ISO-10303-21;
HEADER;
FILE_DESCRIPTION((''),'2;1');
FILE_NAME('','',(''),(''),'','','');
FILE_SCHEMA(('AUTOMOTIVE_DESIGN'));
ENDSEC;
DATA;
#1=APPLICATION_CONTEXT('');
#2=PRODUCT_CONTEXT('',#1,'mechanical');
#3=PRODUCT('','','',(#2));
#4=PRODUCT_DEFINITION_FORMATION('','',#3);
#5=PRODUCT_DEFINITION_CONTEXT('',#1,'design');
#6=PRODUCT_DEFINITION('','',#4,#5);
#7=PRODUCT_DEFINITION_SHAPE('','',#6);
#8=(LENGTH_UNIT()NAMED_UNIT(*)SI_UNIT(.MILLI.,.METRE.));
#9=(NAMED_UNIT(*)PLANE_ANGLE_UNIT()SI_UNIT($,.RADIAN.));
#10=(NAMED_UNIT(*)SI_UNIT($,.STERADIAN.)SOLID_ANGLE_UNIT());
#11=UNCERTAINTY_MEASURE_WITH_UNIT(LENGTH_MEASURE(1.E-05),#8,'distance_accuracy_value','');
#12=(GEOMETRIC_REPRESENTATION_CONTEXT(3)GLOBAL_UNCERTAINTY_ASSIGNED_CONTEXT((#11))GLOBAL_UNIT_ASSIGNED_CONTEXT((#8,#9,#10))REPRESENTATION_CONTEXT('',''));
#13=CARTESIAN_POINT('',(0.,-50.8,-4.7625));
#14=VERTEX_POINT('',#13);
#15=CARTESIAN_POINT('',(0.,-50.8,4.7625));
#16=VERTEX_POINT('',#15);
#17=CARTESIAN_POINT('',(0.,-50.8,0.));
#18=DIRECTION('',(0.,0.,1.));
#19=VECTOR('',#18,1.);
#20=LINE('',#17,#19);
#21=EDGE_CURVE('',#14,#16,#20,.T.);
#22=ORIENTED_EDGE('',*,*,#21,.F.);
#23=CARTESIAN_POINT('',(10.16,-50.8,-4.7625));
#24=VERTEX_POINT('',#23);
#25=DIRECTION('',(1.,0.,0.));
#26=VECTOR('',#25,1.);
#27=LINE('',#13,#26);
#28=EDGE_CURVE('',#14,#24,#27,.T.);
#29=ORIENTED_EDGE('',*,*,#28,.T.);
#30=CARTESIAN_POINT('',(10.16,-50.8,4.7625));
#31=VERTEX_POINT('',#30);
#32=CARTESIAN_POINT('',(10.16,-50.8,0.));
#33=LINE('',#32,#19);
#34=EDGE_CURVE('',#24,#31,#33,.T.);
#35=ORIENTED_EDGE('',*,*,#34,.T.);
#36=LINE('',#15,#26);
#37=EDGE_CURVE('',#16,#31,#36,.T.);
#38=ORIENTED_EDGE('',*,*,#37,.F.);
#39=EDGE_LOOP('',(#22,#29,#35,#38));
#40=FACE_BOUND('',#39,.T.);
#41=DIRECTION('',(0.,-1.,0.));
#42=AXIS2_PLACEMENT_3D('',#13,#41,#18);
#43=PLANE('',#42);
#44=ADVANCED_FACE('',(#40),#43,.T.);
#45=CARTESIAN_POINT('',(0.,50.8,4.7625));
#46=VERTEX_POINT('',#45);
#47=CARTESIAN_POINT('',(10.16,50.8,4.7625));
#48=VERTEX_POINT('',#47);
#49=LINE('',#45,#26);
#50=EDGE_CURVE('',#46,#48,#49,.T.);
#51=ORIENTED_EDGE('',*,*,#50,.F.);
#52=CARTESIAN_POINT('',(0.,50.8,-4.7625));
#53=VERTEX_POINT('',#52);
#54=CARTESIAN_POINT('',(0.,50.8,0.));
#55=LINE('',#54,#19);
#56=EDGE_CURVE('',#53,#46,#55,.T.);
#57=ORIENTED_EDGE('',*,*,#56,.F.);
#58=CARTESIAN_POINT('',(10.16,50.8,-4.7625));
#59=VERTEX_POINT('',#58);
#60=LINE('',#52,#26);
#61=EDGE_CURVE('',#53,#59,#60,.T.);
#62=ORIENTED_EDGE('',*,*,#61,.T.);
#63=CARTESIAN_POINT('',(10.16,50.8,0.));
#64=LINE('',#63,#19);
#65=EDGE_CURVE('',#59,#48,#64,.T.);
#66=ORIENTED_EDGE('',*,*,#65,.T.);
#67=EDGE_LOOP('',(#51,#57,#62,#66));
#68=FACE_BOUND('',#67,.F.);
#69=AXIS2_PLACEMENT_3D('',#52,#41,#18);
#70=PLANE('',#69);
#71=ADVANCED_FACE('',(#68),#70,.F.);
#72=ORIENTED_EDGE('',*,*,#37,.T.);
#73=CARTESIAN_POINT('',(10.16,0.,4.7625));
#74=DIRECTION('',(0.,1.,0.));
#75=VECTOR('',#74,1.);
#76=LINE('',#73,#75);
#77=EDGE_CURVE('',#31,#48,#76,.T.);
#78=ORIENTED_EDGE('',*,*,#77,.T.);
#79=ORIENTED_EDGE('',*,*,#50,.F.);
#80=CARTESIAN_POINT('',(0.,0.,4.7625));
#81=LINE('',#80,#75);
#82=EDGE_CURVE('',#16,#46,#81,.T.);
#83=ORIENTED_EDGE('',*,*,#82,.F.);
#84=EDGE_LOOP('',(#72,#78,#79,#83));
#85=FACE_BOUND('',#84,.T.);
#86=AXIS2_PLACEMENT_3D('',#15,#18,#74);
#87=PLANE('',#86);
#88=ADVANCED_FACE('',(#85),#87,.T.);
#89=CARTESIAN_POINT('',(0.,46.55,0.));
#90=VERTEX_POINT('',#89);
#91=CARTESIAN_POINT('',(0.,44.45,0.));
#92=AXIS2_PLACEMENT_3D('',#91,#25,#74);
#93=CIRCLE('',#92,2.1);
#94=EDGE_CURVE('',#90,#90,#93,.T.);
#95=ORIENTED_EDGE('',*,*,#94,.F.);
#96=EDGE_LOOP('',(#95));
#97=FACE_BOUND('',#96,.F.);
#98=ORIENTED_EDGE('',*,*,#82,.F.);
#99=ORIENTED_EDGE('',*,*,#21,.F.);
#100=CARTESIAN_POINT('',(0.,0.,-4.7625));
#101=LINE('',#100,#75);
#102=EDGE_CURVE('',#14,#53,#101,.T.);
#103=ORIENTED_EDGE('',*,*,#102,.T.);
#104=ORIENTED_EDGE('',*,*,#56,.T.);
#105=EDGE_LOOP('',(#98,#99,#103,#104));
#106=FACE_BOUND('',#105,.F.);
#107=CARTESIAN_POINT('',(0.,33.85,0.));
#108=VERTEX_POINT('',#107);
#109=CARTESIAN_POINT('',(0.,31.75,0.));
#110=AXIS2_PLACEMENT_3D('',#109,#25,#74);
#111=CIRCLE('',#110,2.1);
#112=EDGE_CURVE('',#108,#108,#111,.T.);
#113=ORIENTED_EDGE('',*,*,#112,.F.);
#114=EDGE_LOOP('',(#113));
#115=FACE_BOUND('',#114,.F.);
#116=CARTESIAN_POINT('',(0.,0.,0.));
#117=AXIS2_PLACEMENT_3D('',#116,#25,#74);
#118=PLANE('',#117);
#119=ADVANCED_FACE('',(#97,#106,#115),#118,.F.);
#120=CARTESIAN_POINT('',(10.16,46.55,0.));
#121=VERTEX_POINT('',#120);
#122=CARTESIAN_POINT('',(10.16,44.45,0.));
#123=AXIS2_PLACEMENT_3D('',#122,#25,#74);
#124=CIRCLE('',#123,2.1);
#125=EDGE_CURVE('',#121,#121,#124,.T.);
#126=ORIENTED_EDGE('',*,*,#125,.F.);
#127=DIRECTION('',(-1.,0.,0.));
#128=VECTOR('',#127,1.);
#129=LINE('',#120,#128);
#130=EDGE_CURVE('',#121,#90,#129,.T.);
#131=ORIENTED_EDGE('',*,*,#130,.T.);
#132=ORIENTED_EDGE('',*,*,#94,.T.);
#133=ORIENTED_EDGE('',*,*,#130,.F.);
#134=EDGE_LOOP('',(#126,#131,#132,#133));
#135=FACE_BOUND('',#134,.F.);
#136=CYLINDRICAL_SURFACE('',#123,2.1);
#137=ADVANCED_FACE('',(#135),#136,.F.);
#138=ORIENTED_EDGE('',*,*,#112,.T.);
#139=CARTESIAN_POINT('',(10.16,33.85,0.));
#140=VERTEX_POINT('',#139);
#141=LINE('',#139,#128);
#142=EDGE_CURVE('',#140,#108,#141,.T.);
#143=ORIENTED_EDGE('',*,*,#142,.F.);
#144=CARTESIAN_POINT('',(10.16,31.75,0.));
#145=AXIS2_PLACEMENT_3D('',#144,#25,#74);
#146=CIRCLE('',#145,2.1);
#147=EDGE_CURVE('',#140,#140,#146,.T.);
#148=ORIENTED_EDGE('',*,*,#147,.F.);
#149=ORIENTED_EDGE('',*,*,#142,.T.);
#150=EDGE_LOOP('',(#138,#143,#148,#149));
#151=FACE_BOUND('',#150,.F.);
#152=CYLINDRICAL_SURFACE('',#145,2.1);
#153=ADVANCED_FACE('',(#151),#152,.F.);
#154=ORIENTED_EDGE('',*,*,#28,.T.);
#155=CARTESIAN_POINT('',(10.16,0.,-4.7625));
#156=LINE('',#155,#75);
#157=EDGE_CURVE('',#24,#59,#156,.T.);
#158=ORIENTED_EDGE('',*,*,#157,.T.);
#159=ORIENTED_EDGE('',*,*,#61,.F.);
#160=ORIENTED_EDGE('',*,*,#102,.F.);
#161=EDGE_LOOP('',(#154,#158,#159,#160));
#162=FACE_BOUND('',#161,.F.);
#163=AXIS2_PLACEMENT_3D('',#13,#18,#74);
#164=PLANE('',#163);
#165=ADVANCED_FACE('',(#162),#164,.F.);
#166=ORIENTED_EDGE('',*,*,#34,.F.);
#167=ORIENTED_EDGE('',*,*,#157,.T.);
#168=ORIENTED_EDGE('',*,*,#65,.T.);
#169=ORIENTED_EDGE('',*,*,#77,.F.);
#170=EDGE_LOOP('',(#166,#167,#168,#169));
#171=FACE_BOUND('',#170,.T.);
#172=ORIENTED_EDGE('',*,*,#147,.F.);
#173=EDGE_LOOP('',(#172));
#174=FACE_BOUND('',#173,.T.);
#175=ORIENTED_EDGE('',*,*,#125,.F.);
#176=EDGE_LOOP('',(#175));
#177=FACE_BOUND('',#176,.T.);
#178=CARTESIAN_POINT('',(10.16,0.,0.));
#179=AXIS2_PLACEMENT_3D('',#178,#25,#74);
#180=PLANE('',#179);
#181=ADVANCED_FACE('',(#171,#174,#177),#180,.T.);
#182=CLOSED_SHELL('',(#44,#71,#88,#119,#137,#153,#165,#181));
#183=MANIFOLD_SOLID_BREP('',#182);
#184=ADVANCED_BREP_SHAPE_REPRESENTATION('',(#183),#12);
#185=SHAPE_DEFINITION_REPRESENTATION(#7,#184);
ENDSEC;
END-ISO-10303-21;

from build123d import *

# Parameters (mm, degrees)
F0_W     = 101.6
F0_H     = 9.525
F1_DEPTH = 10.16
F3_DEPTH = 10.161


with BuildPart() as f1:
    # F0 (on Right) → F1 (new body)
    with BuildSketch(Plane.YZ):
        Rectangle(F0_W, F0_H)
    extrude(amount=F1_DEPTH)

    # F2 (on face) → F3 (cut, through all)
    with BuildSketch(Plane.YZ.offset(10.16)):
        with BuildLine():
            ThreePointArc((42.35, 0), (44.45, -2.1), (46.55, 0))
            Line((46.55, 0), (42.35, 0))
        make_face()
        with BuildLine():
            Line((42.35, 0), (46.55, 0))
            ThreePointArc((46.55, 0), (44.45, 2.1), (42.35, 0))
        make_face()
        with BuildLine():
            ThreePointArc((29.65, 0), (31.75, -2.1), (33.85, 0))
            Line((33.85, 0), (29.65, 0))
        make_face()
        with BuildLine():
            Line((29.65, 0), (33.85, 0))
            ThreePointArc((33.85, 0), (31.75, 2.1), (29.65, 0))
        make_face()
    extrude(amount=-F3_DEPTH, mode=Mode.SUBTRACT)


solid = f1.part
